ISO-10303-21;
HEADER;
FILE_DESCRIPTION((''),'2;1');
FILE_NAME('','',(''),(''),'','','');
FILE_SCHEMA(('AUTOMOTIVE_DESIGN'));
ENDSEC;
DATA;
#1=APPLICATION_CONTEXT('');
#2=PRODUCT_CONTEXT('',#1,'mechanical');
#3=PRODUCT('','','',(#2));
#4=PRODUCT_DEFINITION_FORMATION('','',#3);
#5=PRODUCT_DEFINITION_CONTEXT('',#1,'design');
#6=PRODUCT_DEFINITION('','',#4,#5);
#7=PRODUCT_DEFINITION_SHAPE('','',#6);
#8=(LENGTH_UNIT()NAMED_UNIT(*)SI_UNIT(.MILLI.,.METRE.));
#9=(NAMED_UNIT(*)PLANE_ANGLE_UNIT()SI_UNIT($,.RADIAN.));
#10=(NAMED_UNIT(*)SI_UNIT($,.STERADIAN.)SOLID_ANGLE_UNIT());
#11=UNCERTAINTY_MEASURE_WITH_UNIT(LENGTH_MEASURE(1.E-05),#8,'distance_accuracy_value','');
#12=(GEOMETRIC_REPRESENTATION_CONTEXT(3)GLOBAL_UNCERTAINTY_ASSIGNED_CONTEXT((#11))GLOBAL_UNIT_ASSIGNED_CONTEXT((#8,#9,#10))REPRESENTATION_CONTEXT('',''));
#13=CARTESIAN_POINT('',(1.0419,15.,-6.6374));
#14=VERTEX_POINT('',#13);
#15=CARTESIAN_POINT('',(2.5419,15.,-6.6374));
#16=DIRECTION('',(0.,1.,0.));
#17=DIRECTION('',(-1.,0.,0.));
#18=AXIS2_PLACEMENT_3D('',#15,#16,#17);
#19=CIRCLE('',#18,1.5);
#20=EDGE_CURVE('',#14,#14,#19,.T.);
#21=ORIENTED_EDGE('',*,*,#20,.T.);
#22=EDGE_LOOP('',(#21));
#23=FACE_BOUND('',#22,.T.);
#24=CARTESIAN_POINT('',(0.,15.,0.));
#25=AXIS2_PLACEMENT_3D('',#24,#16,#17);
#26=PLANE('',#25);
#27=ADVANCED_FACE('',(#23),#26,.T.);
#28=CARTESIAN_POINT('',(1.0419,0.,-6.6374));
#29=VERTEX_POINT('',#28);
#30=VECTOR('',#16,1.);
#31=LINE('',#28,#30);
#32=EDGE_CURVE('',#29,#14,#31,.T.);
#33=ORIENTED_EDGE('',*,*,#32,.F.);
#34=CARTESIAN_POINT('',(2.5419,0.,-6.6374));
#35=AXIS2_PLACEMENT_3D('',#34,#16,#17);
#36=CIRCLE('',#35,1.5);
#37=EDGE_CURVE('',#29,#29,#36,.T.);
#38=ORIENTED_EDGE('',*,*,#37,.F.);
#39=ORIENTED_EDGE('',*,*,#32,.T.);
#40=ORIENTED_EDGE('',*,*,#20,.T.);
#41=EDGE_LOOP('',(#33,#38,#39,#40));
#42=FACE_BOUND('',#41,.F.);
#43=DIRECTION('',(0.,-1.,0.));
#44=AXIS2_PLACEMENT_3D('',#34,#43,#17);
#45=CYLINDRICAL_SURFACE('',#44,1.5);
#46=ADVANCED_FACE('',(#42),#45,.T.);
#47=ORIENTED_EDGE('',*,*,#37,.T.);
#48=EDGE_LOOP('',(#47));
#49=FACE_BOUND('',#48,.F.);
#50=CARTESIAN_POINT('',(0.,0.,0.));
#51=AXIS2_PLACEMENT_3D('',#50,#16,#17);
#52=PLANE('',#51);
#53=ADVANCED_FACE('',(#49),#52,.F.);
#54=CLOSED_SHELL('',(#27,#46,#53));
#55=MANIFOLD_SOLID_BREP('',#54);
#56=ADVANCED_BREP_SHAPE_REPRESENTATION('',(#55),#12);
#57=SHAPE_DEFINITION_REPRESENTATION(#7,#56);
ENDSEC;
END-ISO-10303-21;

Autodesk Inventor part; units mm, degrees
ref_plane "YZ Plane" through (0, 0, 0) normal (1, 0, 0) x (0, 1, 0)
ref_plane "XZ Plane" through (0, 0, 0) normal (0, 1, 0) x (-1, 0, 0)
ref_plane "XY Plane" through (0, 0, 0) normal (0, 0, 1) x (1, 0, 0)
sketch "Sketch1" plane through (0, 0, 0) normal (0, 1, 0) x (-1, 0, 0)
  circle A0 centre (-2.5419, -6.6374) radius 1.5
  point P0 (0, 0)
  dimension "d0" = 3
  dimension "d0" = 3
extrude "Extrusion1" add sketch "Sketch1" along normal blind 15
properties part number "Biztositek15mm"
